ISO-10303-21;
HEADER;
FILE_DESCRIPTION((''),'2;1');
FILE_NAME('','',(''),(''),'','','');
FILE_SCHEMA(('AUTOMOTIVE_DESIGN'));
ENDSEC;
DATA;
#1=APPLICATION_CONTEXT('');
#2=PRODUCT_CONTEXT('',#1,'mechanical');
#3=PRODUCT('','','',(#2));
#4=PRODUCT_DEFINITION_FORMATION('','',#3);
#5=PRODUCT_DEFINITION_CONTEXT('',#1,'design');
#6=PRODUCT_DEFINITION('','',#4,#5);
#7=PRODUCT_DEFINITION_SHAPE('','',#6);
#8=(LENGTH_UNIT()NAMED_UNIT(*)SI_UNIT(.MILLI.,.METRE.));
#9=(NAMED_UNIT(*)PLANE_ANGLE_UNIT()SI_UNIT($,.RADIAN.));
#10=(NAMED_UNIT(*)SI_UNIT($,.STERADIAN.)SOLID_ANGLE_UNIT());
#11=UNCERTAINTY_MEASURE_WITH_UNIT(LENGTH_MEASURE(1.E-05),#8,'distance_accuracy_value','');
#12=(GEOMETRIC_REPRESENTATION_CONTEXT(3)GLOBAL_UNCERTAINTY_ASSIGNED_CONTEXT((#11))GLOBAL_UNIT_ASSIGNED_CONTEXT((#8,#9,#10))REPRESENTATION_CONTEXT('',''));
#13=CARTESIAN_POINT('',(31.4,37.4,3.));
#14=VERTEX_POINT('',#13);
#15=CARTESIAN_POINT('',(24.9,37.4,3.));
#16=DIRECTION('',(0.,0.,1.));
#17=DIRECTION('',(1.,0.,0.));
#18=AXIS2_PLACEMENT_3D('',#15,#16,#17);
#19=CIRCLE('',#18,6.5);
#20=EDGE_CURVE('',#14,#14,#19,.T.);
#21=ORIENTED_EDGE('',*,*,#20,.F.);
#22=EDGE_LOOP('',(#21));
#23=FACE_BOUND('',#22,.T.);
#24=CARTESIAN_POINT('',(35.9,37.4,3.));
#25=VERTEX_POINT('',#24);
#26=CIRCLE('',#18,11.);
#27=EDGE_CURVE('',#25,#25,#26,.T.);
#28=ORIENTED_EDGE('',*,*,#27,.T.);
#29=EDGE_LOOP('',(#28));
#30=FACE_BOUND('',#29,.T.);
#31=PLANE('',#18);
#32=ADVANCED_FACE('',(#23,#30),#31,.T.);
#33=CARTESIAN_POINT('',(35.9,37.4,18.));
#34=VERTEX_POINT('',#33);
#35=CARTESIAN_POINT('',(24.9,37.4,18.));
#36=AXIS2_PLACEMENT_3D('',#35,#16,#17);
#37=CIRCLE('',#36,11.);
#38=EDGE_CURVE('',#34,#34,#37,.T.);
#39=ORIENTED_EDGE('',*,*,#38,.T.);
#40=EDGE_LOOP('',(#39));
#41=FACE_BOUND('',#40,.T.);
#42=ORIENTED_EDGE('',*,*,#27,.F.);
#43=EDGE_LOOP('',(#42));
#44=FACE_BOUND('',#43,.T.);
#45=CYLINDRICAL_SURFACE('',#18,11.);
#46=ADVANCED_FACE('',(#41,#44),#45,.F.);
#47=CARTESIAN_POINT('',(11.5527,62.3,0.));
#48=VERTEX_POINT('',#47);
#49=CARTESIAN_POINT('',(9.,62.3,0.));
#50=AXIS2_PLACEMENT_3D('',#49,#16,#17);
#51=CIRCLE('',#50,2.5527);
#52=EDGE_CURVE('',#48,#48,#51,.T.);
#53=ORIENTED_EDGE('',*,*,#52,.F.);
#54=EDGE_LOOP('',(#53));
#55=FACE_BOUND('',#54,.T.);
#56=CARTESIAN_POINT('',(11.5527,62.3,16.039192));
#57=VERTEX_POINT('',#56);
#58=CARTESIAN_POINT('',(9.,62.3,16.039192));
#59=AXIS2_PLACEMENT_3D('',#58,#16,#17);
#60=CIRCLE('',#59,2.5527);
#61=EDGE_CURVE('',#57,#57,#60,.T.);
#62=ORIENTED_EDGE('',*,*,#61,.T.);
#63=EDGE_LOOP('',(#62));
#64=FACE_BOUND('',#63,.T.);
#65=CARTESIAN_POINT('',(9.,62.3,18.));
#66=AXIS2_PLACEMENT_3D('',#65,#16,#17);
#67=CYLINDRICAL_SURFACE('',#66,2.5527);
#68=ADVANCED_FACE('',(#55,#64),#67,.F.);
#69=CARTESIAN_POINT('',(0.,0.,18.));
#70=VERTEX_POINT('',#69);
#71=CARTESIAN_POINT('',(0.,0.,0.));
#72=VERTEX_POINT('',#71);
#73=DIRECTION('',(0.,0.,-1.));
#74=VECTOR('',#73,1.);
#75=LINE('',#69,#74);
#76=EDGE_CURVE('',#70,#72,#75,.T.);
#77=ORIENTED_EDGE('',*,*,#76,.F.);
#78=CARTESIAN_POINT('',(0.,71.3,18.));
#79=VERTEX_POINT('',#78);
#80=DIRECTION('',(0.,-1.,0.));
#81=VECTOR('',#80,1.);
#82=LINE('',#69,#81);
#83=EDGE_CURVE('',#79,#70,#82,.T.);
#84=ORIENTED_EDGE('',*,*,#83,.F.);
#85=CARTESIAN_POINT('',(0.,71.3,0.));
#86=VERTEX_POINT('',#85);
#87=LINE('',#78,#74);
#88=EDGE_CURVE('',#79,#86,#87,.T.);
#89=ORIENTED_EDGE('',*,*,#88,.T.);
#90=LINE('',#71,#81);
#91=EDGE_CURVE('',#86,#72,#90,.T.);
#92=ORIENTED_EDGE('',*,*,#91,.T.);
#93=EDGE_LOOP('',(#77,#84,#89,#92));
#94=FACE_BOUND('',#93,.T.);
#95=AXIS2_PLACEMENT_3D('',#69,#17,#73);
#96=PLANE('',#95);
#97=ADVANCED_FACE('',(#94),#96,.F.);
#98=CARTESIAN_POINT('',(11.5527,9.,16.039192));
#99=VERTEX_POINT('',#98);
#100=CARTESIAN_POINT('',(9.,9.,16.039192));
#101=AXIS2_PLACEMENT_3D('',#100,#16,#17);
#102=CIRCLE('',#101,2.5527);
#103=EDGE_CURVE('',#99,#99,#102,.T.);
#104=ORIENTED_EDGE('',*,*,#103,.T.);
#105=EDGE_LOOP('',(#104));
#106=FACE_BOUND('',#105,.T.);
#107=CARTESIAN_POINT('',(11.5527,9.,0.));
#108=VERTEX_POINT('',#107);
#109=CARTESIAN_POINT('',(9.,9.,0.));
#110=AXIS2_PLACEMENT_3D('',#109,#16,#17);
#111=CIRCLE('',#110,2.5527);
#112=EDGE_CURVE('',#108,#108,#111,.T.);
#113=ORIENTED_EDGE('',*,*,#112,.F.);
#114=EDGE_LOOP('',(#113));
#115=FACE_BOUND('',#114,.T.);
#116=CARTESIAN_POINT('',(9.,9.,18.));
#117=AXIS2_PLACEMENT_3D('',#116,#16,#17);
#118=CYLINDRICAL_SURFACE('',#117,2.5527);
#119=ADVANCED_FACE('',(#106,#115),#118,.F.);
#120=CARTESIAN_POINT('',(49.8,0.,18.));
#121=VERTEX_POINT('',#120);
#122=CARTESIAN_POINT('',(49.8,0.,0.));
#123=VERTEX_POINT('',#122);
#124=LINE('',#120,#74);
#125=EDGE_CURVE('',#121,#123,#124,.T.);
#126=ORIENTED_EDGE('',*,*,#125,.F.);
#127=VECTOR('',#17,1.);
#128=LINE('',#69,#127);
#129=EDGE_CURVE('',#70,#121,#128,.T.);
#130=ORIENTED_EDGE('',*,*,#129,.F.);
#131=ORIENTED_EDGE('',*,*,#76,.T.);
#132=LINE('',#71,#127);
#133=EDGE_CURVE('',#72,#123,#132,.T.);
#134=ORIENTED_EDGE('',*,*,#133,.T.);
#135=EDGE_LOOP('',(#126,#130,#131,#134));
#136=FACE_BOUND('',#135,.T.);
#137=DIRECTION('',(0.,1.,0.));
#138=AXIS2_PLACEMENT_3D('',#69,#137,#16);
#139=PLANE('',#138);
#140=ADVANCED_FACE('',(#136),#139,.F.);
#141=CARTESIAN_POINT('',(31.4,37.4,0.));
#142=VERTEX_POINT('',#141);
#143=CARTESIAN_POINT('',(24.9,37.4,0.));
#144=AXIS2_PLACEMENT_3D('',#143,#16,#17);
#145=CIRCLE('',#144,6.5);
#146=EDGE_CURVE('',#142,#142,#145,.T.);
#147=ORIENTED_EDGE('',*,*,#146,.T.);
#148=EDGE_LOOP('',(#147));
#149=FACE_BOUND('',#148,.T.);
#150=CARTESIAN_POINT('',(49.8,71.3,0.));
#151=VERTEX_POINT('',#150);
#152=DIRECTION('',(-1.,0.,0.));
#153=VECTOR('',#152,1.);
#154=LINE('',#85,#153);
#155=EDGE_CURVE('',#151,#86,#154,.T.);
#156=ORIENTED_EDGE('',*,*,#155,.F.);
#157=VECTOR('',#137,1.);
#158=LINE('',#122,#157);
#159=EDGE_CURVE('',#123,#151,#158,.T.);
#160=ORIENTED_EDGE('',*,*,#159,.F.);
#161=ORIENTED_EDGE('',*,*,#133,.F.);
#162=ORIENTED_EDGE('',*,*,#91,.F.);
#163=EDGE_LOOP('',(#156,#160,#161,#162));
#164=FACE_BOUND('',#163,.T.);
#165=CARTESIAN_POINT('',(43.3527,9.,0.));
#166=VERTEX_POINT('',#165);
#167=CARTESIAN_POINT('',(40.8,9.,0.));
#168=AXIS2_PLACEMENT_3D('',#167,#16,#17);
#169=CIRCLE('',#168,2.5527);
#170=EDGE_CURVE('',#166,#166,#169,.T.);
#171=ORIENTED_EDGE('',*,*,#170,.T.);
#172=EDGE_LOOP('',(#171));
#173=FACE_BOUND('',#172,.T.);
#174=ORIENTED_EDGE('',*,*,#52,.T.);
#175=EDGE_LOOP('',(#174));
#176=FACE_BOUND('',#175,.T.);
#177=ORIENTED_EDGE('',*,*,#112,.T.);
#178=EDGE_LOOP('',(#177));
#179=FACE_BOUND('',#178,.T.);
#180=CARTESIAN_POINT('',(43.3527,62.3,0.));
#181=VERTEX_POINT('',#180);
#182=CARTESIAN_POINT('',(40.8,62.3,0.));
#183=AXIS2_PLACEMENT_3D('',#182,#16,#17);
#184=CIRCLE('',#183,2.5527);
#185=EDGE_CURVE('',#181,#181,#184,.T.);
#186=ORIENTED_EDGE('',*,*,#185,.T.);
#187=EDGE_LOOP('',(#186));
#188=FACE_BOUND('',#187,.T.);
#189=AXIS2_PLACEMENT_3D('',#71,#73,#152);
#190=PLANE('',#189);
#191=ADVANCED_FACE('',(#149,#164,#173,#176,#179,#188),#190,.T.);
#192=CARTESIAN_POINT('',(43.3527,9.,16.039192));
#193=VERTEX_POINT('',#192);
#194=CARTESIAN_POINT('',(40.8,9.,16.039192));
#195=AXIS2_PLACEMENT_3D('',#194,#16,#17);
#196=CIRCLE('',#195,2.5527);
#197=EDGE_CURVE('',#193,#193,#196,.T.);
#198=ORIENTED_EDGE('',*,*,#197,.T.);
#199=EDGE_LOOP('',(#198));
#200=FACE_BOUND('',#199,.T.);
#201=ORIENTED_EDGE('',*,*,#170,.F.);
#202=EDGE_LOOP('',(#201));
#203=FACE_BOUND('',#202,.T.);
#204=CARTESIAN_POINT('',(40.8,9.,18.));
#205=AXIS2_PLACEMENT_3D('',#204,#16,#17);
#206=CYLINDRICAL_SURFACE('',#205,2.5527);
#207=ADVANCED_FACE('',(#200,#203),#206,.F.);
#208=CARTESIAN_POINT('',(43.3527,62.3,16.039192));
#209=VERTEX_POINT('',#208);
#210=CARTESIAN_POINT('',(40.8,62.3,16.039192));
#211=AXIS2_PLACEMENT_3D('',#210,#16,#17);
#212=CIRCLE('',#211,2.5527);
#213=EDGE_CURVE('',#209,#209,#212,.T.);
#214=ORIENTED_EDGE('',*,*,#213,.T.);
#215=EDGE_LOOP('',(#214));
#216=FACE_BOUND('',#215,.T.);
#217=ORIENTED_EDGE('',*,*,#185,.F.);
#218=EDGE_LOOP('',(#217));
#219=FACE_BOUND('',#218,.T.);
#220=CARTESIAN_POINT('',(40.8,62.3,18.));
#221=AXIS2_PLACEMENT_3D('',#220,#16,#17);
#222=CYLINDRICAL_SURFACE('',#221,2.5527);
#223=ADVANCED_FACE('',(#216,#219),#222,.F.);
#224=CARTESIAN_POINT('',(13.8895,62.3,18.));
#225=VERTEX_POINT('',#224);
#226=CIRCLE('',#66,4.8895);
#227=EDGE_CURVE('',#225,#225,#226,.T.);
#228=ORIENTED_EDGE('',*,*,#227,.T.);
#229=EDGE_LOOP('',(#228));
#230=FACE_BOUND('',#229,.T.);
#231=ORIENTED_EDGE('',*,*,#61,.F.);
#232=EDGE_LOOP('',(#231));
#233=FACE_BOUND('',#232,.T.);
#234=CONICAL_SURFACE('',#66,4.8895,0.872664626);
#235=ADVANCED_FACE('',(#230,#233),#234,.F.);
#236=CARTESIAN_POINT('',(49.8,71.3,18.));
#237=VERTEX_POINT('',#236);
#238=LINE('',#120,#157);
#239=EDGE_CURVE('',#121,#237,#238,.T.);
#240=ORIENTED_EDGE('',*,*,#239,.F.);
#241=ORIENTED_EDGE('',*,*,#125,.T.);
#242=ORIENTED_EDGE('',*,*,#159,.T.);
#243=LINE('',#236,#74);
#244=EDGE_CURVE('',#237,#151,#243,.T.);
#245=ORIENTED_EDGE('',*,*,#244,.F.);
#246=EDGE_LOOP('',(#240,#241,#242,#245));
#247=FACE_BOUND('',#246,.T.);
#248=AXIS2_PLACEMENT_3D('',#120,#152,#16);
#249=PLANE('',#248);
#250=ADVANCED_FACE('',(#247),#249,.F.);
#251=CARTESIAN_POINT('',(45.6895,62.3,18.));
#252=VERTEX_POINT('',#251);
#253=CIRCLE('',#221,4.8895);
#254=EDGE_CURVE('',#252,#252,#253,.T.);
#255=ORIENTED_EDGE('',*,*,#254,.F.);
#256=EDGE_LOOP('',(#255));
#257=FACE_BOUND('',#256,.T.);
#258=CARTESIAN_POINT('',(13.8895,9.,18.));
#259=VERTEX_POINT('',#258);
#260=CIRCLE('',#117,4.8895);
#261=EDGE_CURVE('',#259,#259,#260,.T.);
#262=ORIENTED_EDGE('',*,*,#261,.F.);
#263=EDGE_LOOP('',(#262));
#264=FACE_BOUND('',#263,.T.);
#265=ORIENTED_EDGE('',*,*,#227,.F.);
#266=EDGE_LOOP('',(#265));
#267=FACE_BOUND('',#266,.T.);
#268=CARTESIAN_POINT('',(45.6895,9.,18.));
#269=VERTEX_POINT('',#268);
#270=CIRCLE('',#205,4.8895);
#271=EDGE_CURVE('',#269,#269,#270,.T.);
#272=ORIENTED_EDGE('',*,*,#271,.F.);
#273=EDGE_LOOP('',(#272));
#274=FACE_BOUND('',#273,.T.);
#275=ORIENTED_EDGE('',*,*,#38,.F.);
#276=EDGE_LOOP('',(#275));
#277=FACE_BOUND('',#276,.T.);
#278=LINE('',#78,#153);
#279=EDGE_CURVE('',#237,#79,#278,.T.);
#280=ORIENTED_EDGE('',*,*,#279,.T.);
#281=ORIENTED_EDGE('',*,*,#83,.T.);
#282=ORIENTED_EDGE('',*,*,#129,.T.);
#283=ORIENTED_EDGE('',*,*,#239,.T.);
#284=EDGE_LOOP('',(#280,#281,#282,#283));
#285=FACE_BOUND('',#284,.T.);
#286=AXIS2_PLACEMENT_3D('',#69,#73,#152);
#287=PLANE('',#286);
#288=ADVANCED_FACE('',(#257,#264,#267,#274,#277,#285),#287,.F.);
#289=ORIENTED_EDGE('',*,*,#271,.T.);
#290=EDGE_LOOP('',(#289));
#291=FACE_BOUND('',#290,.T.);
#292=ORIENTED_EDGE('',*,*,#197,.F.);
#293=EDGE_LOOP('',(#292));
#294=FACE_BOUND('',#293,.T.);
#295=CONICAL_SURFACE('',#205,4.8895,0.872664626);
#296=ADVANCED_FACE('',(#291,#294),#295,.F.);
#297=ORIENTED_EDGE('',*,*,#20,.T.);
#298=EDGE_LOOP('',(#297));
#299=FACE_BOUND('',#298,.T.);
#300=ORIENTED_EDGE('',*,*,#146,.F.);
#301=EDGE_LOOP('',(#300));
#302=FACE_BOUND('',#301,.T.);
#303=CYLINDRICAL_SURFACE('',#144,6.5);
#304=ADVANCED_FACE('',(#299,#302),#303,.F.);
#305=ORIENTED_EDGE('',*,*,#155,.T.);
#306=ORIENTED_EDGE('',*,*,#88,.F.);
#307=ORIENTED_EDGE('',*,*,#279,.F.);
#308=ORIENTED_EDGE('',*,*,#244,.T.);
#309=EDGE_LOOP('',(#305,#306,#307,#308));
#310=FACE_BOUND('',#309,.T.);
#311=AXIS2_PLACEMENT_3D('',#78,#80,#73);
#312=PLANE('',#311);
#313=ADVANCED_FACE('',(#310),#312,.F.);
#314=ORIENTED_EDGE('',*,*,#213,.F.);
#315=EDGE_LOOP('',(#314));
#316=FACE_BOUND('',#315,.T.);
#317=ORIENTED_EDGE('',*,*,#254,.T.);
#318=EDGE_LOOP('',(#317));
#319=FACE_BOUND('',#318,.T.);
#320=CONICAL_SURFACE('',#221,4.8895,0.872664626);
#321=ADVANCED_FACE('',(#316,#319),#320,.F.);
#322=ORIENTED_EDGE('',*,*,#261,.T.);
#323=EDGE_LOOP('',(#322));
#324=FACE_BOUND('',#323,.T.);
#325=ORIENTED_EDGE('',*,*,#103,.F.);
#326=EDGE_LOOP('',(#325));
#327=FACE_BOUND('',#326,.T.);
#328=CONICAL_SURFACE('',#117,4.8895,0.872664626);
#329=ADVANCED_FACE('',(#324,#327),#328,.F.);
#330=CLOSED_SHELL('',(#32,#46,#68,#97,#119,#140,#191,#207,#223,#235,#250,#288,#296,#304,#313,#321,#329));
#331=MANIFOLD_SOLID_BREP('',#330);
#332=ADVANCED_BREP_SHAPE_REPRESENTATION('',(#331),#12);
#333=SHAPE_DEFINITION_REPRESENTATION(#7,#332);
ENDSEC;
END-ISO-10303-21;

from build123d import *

# Parameters (mm, degrees)
SKETCH1_W                       = 49.8
SKETCH1_H                       = 71.3
BASE_DEPTH                      = 18
SKETCH2_R                       = 11
LEAD_NUT_INLAY_DEPTH            = 15
SKETCH3_R                       = 6.5
LEAD_SCREW_CLEARANCE_DEPTH      = 89.253781789
WOODSCREW_CLEARANCE_D           = 5.1054
WOODSCREW_CLEARANCE_CSINK_D     = 9.779
WOODSCREW_CLEARANCE_CSINK_ANGLE = 100


with BuildPart() as part:
    # Sketch1 → base (new body)
    with BuildSketch(Plane.XY):
        with Locations((24.9, 35.65)):
            Rectangle(SKETCH1_W, SKETCH1_H)
    extrude(amount=BASE_DEPTH)

    # Sketch2 → lead nut inlay (cut)
    with BuildSketch(Plane.XY.offset(18)):
        with Locations((24.9, 37.4)):
            Circle(SKETCH2_R)
    extrude(amount=-LEAD_NUT_INLAY_DEPTH, mode=Mode.SUBTRACT)

    # Sketch3 → lead screw clearance (cut, through all)
    with BuildSketch(Plane.XY.offset(3)):
        with Locations((24.9, 37.4)):
            Circle(SKETCH3_R)
    extrude(amount=-LEAD_SCREW_CLEARANCE_DEPTH, mode=Mode.SUBTRACT)

    # woodscrew clearance (through all)
    with Locations(Plane.XY.offset(18)):
        with Locations((9, 9), (40.8, 62.3), (9, 62.3), (40.8, 9)):
            CounterSinkHole(WOODSCREW_CLEARANCE_D / 2, WOODSCREW_CLEARANCE_CSINK_D / 2, counter_sink_angle=WOODSCREW_CLEARANCE_CSINK_ANGLE)


solid = part.part
